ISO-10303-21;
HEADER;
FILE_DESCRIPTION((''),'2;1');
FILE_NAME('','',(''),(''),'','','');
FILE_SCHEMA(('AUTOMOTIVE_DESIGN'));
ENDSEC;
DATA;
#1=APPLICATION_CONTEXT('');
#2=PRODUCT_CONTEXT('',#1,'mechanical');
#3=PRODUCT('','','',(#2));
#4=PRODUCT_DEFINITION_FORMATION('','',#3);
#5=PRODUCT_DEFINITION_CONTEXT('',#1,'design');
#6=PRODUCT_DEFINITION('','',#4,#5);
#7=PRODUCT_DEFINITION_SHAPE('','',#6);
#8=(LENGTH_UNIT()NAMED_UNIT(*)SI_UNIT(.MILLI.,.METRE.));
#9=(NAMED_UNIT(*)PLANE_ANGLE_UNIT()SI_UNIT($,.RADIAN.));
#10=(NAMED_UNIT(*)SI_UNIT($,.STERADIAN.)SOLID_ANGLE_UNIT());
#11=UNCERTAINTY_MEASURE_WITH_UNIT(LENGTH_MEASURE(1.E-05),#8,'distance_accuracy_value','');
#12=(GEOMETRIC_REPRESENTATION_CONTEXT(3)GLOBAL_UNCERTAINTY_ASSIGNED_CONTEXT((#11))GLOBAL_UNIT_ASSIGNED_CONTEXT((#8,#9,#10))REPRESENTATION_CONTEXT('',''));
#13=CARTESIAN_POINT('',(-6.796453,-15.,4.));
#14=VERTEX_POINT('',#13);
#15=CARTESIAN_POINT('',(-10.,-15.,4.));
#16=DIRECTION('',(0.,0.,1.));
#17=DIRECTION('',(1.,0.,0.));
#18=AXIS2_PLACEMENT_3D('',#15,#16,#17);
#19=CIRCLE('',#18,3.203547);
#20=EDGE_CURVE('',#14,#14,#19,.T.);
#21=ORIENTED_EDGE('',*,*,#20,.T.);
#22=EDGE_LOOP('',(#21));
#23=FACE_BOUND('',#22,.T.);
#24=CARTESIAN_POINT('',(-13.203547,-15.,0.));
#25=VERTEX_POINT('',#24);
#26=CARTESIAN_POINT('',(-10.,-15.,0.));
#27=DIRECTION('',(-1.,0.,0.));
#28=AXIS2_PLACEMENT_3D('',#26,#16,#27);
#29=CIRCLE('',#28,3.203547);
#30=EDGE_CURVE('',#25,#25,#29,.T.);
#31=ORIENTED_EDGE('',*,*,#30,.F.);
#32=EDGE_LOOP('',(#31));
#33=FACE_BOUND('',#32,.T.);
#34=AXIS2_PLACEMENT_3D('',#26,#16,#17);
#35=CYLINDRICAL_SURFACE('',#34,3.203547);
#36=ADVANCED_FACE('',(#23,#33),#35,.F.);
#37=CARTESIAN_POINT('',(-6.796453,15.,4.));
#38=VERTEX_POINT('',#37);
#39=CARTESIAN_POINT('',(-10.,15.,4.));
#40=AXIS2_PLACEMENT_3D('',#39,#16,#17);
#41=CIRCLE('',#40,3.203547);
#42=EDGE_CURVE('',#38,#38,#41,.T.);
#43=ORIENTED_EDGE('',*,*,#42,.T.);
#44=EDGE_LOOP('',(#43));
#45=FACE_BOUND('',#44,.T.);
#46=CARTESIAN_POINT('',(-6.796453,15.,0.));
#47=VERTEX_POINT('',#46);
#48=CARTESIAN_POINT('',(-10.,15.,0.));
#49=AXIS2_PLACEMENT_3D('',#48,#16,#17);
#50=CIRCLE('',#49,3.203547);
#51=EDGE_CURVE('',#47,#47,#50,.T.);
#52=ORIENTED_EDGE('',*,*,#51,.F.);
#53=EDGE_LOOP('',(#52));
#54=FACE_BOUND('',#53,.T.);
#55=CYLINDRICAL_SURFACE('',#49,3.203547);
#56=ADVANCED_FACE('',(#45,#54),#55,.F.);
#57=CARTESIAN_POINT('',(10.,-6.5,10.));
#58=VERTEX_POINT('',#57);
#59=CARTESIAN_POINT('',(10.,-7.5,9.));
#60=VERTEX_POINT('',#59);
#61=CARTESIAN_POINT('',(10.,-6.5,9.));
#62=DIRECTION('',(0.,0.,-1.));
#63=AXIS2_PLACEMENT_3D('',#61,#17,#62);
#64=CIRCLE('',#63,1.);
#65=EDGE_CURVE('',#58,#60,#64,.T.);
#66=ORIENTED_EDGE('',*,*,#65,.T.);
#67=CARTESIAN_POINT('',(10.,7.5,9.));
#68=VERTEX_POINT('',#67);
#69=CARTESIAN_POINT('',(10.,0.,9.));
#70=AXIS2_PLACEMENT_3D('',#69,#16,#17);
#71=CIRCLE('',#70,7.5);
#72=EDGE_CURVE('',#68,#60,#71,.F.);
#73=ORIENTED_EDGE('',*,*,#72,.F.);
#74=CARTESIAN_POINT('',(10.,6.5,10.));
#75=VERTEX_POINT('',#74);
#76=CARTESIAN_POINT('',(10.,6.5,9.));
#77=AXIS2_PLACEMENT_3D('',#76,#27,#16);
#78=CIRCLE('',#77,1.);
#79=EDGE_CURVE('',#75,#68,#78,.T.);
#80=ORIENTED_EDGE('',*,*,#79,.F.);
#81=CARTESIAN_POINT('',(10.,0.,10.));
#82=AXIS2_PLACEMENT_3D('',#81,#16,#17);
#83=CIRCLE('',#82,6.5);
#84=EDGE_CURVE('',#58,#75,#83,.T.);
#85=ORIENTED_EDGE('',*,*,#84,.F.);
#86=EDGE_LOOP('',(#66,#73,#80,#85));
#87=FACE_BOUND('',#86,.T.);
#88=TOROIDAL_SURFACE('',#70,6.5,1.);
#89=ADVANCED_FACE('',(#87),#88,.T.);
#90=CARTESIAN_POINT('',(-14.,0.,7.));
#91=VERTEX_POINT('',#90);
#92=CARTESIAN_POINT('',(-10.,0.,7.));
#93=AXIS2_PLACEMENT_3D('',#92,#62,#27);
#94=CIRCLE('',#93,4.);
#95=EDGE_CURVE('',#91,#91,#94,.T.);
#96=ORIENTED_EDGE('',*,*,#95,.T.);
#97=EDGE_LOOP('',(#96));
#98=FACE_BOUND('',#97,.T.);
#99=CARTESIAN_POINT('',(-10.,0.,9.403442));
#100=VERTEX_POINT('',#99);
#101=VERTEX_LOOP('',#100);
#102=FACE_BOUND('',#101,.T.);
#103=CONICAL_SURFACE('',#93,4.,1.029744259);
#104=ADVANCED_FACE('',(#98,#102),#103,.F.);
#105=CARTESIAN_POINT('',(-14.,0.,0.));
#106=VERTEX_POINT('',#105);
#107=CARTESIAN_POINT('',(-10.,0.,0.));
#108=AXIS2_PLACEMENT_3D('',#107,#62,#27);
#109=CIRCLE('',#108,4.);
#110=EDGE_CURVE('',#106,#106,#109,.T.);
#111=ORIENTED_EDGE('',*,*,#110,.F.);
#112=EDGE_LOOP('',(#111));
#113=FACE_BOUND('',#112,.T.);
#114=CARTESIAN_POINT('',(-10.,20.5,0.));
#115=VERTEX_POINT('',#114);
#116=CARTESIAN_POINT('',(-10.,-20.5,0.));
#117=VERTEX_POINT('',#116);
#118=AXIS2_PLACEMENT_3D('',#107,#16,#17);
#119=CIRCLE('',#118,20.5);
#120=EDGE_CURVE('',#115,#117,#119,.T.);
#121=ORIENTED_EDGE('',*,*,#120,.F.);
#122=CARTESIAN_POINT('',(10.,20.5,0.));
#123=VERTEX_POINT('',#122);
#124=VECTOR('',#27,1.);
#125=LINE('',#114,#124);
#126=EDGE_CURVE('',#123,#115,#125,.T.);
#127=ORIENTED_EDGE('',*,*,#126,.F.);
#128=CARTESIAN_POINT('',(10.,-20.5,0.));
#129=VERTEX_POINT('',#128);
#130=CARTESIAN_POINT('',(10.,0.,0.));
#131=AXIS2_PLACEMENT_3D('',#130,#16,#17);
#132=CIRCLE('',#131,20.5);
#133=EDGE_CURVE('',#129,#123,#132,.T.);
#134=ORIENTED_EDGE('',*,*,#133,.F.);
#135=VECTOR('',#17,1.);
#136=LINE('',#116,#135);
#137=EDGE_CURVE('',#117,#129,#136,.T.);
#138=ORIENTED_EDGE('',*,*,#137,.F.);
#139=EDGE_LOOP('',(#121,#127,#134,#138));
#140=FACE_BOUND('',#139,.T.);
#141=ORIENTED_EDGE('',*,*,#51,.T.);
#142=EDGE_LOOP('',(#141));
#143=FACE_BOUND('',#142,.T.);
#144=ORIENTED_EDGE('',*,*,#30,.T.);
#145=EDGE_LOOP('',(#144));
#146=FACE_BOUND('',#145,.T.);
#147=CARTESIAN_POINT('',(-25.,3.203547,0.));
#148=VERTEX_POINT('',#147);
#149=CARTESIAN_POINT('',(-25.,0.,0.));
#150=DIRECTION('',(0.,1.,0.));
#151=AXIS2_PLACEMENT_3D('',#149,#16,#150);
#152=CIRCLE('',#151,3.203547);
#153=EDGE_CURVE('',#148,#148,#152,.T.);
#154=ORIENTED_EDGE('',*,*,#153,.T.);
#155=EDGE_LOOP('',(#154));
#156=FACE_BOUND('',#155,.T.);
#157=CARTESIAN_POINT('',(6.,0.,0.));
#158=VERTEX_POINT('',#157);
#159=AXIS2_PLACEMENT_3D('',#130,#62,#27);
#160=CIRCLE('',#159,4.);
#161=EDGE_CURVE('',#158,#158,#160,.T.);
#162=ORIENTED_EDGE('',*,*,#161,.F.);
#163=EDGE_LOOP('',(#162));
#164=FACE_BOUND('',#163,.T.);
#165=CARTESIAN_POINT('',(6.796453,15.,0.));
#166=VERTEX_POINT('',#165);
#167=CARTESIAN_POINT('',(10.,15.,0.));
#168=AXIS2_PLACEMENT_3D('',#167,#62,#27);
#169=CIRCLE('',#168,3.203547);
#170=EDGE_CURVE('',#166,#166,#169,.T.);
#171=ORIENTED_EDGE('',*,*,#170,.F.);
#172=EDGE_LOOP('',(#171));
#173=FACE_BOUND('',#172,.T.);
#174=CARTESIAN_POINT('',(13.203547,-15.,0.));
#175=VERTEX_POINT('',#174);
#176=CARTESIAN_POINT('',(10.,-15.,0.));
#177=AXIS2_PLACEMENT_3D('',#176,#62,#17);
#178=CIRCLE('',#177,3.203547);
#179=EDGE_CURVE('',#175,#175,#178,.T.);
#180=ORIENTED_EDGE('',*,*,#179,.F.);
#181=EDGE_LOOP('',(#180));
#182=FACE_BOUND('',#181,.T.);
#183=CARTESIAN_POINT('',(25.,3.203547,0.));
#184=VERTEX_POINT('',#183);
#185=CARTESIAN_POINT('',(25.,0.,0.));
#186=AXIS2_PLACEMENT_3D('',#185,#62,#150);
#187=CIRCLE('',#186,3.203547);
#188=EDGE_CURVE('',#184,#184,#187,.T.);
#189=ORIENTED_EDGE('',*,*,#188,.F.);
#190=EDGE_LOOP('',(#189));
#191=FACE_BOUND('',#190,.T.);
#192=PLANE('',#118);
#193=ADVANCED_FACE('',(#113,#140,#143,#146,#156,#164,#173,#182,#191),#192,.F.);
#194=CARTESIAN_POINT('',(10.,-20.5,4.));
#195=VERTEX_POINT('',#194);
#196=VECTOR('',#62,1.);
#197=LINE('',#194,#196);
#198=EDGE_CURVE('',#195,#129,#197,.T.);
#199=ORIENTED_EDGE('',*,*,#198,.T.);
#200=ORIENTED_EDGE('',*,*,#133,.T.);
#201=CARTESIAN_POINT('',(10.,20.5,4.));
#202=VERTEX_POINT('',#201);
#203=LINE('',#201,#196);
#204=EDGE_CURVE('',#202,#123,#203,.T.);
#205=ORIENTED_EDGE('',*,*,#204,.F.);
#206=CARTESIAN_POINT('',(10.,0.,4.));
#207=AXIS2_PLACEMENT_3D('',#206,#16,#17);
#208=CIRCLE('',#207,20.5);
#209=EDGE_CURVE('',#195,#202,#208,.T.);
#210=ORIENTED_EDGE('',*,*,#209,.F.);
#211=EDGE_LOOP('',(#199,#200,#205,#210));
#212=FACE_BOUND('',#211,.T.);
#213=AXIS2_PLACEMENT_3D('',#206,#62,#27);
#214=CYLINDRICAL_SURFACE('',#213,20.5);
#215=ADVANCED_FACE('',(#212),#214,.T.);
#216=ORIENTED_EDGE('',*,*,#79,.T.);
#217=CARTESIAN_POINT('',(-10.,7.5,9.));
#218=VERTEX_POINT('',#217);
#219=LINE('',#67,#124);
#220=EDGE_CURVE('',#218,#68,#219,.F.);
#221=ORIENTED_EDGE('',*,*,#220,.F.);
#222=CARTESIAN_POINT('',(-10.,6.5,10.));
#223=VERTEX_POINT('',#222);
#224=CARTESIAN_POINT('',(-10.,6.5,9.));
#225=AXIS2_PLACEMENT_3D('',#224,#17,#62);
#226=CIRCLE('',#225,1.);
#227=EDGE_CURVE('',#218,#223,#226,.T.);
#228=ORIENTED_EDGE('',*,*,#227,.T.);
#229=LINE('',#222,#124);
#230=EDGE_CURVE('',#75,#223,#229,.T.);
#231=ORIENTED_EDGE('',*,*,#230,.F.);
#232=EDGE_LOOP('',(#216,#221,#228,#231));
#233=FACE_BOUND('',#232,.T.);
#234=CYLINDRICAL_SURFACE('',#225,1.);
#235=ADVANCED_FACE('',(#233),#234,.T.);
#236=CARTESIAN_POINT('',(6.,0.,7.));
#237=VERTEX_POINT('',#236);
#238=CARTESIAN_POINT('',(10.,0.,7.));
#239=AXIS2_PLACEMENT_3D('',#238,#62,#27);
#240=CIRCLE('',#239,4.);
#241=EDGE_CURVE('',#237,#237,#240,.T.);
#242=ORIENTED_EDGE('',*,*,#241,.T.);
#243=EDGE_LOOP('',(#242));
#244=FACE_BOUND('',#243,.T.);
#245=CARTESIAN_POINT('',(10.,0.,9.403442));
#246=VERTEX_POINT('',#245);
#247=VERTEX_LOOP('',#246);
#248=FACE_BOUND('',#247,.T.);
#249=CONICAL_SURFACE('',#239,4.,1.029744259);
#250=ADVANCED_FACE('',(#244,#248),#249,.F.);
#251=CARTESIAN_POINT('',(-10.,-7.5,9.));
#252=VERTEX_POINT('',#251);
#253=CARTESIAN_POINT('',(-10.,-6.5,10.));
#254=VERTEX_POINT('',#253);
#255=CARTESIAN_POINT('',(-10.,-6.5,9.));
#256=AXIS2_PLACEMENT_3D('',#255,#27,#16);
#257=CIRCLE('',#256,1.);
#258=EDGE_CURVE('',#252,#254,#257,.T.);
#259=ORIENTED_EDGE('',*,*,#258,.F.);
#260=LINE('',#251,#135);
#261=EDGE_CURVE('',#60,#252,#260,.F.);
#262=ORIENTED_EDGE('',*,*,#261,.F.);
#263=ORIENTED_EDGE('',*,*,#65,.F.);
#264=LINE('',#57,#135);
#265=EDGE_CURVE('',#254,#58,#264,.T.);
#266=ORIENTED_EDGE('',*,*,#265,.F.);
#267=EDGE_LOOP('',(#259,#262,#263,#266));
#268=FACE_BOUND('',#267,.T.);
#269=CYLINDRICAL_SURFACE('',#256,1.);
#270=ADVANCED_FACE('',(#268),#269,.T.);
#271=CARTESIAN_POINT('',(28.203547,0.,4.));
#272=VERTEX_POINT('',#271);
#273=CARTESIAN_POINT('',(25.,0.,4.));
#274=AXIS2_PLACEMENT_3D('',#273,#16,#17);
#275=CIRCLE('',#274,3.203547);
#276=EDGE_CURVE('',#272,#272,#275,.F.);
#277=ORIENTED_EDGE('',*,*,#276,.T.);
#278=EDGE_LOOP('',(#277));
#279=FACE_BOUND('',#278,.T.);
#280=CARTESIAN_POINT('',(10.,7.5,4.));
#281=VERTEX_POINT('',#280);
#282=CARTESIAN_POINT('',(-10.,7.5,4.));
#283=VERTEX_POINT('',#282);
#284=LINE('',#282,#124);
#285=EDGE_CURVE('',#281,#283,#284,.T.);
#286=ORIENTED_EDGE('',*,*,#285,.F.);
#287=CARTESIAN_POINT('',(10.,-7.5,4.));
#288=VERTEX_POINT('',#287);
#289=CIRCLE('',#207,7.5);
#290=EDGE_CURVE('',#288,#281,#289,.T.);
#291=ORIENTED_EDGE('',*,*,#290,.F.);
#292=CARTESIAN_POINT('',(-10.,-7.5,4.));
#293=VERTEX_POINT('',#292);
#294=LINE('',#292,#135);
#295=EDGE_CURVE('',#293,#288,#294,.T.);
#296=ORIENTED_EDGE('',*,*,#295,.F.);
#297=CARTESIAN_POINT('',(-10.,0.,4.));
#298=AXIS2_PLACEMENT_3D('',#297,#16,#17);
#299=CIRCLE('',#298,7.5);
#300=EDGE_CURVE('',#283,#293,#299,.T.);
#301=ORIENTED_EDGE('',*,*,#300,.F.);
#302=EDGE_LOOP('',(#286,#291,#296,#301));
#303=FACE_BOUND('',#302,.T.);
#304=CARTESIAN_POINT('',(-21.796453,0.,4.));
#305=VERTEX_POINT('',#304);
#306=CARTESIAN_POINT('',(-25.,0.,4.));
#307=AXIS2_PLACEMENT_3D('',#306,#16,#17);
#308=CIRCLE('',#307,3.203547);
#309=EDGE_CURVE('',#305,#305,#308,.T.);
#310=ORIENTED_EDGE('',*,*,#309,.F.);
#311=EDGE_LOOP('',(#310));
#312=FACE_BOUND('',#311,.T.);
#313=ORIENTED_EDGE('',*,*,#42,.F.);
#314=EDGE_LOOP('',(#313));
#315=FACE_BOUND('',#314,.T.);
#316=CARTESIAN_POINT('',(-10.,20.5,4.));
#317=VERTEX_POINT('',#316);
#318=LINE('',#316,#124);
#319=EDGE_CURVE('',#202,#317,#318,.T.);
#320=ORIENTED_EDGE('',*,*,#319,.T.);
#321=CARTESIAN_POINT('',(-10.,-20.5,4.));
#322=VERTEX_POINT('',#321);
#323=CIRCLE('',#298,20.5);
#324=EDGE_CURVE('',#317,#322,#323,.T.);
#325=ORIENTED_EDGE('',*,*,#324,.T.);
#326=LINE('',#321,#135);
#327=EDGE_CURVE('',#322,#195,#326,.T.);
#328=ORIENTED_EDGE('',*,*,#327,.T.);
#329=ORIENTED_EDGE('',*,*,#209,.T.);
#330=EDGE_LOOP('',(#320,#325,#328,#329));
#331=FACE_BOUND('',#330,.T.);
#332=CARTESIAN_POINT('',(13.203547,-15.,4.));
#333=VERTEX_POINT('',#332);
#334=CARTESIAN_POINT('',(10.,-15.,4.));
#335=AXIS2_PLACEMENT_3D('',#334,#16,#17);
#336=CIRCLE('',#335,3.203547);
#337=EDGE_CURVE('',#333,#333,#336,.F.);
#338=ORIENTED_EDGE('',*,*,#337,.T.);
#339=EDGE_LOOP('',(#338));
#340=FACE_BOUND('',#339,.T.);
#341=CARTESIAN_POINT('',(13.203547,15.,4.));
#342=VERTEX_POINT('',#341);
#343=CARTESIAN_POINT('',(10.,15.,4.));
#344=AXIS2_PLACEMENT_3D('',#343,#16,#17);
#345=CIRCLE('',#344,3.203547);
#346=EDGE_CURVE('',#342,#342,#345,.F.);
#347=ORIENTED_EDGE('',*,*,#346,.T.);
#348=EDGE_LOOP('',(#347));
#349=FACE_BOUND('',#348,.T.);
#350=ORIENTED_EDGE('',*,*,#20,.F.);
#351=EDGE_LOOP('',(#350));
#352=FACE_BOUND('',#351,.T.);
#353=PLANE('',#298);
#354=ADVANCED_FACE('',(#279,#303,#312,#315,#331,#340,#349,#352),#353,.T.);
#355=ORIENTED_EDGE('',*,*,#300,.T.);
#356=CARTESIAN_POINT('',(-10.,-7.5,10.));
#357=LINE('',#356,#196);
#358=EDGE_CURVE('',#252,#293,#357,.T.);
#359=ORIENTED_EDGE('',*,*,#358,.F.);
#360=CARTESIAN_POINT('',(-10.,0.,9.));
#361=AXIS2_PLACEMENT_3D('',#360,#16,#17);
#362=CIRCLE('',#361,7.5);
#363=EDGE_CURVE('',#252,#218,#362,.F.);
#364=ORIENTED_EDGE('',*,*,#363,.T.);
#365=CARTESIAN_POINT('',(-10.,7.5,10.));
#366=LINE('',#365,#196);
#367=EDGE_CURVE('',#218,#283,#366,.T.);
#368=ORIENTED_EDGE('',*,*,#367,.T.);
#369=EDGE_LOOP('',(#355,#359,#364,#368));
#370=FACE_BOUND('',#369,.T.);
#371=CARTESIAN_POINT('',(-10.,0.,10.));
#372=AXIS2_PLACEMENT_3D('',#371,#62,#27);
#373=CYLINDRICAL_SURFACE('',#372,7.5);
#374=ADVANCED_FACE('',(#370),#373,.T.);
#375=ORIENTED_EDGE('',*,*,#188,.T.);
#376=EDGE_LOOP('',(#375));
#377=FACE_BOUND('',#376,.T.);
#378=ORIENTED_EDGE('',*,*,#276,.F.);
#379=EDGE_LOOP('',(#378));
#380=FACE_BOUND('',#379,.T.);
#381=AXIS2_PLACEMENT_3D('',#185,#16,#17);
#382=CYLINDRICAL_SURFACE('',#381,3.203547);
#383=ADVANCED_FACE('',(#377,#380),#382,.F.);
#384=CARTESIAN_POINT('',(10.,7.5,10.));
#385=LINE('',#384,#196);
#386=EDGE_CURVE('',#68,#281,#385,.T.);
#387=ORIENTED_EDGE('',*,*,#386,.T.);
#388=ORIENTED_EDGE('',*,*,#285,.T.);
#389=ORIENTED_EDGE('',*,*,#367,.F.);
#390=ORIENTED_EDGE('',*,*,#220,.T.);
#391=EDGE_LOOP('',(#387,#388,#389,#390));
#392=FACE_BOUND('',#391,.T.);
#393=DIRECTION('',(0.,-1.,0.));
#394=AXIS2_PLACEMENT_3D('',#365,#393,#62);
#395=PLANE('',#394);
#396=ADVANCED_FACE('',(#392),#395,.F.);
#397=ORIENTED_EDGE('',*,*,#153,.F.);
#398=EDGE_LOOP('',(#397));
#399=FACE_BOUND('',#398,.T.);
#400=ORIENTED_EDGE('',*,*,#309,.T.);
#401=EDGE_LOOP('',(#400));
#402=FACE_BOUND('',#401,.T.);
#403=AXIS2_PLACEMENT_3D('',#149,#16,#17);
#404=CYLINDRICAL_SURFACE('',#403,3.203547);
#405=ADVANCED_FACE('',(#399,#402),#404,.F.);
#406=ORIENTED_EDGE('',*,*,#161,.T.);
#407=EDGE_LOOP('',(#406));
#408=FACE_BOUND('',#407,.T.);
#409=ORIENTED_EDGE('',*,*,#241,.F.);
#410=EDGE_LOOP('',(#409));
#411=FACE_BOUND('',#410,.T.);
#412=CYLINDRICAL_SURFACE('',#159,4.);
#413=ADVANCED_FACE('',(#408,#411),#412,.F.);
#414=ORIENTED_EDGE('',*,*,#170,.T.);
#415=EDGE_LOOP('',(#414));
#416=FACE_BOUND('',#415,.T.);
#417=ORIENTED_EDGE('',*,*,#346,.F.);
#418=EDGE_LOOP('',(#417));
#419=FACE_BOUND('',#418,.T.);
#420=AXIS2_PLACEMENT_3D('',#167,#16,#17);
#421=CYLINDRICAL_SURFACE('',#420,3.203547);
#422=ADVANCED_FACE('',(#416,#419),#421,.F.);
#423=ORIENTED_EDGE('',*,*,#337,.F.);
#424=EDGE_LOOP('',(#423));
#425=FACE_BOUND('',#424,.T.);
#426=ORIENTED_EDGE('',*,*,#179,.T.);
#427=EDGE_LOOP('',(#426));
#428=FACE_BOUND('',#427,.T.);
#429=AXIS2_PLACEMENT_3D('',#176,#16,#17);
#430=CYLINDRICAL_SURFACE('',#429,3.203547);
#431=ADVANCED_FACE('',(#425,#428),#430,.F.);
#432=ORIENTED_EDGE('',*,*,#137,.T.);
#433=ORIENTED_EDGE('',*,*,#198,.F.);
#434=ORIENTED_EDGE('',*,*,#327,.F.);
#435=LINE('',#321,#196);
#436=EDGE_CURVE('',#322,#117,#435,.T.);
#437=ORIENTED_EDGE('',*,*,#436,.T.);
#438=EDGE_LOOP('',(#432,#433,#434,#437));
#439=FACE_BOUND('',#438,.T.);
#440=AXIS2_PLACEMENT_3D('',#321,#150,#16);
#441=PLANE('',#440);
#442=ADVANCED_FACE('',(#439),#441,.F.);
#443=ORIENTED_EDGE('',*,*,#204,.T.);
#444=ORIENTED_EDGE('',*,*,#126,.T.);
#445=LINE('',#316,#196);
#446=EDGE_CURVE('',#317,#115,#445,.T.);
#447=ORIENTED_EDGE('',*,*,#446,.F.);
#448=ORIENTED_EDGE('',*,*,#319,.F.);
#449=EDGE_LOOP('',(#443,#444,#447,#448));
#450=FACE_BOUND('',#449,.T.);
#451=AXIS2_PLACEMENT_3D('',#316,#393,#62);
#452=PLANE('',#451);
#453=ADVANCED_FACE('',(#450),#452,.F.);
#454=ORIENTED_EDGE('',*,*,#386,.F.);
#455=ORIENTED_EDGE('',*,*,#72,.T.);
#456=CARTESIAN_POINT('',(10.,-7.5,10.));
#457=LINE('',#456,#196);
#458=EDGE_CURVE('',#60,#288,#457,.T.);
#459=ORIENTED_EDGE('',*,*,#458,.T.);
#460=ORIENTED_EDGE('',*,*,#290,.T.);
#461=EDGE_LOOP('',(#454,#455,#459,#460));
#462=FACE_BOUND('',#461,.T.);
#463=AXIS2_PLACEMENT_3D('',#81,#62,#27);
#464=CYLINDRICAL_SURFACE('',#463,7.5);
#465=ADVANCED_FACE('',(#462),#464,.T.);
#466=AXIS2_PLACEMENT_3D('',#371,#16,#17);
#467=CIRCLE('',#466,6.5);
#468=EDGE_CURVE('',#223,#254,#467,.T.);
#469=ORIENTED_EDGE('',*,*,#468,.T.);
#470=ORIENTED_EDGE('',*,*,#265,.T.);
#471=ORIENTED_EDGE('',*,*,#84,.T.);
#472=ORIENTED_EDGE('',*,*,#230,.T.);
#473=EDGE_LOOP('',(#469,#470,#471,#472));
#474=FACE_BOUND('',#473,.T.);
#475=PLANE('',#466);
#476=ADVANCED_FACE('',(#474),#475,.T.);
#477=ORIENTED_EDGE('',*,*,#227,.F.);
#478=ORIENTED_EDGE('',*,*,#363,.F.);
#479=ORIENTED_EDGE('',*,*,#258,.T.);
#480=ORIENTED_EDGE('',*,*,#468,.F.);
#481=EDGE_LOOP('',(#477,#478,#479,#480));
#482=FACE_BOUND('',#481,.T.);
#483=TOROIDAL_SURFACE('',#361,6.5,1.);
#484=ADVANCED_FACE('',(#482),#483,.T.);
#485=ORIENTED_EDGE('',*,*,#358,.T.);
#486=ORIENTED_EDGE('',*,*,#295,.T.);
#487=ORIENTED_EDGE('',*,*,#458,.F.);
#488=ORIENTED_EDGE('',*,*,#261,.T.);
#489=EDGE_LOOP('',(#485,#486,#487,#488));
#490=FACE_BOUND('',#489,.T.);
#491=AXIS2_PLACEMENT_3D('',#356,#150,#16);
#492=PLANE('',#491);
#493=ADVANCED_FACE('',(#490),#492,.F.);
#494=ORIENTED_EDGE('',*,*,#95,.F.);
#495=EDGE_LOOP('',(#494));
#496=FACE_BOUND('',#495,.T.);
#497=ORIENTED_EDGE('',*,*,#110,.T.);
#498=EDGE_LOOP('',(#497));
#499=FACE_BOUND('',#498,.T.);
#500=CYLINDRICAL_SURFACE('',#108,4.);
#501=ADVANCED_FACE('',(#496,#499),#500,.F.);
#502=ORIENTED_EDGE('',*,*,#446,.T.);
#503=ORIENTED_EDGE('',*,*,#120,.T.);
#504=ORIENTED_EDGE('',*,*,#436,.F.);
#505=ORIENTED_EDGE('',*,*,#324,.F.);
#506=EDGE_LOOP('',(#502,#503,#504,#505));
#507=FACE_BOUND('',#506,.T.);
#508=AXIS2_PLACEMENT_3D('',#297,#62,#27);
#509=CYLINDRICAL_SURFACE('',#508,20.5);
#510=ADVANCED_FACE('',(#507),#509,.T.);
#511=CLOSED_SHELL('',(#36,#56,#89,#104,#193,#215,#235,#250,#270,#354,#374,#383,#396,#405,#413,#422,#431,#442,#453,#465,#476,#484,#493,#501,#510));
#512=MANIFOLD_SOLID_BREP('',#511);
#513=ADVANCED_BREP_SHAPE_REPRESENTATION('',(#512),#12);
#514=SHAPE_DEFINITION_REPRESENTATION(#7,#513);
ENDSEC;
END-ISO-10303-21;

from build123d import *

# Parameters (mm, degrees)
EXTRUDE_1_DEPTH           = 4
EXTRUDE_2_DEPTH           = 6
HOLE_WIZARD_8_0_8_1_D     = 8
HOLE_WIZARD_8_0_8_1_DEPTH = 7
HOLE_WIZARD_8_0_8_1_TIP   = 2.403442476
FILLET_2_R                = 1
SKETCH_10_R               = 3.203547284
CUT_EXTRUDE_1_DEPTH       = 38.235735524
PATTERN_CIRCULAR_1_COUNT  = 3
PATTERN_CIRCULAR_1_ANGLE  = 180
MIRROR_1_COPY_1_SKETCH_R  = 3.203547284
MIRROR_1_COPY_1_DEPTH     = 38.235735524
MIRROR_1_COPY_2_SKETCH_R  = 3.203547284
MIRROR_1_COPY_2_DEPTH     = 38.235735524


with BuildPart() as part:
    # 草图1 → 凸台-拉伸1 (new body)
    with BuildSketch(Plane.XY):
        with BuildLine():
            Line((-10, 20.5), (10, 20.5))
            ThreePointArc((10, 20.5), (30.5, 0), (10, -20.5))
            Line((10, -20.5), (-10, -20.5))
            ThreePointArc((-10, -20.5), (-30.5, 0), (-10, 20.5))
        make_face()
    extrude(amount=EXTRUDE_1_DEPTH)

    # 草图2 → 凸台-拉伸2 (add)
    with BuildSketch(Plane.XY.offset(4)):
        with BuildLine():
            Line((-10, 7.5), (10, 7.5))
            ThreePointArc((10, 7.5), (17.5, 0), (10, -7.5))
            Line((10, -7.5), (-10, -7.5))
            ThreePointArc((-10, -7.5), (-17.5, 0), (-10, 7.5))
        make_face()
    extrude(amount=EXTRUDE_2_DEPTH)

    # Ø8.0 (8) 直径孔1
    with Locations(Plane(origin=(0, 0, 0), x_dir=(-1, 0, 0), z_dir=(0, 0, -1))):
        with Locations((-10, 0), (10, 0)):
            Hole(HOLE_WIZARD_8_0_8_1_D / 2, depth=HOLE_WIZARD_8_0_8_1_DEPTH)
            with Locations((0, 0, -(HOLE_WIZARD_8_0_8_1_DEPTH + HOLE_WIZARD_8_0_8_1_TIP / 2))):  # 118° drill point
                Cone(0, HOLE_WIZARD_8_0_8_1_D / 2, HOLE_WIZARD_8_0_8_1_TIP, mode=Mode.SUBTRACT)

    # 圆角2
    fillet_2_edges = [part.edges().sort_by_distance(p)[0] for p in [
        (-17.5, 0, 10),
        (0, -7.5, 10),
        (17.5, 0, 10),
        (0, 7.5, 10),
    ]]
    fillet(fillet_2_edges, radius=FILLET_2_R)

    # 草图10 → 切除-拉伸1 (cut, symmetric)
    with BuildSketch(Plane.XY.offset(4)):
        with Locations((-10, 15)):
            Circle(SKETCH_10_R)
    cut_extrude_1 = extrude(amount=CUT_EXTRUDE_1_DEPTH, both=True, mode=Mode.SUBTRACT)

    # 阵列(圆周)1: 切除-拉伸1 ×3 about axis
    pattern_circular_1_axis = Axis((-10, 0, 0), (0, 0, 1))
    for i in range(1, PATTERN_CIRCULAR_1_COUNT):
        add(cut_extrude_1.rotate(pattern_circular_1_axis, i * PATTERN_CIRCULAR_1_ANGLE / (PATTERN_CIRCULAR_1_COUNT - 1)), mode=Mode.SUBTRACT)

    # 镜向1: 切除-拉伸1 across plane
    add(cut_extrude_1.mirror(Plane(origin=(0, 0, 0), x_dir=(0, 0, 1), z_dir=(1, 0, 0))), mode=Mode.SUBTRACT)

    # 镜向1 copy 1 sketch → 镜向1 copy 1 (cut, symmetric)
    with BuildSketch(Plane(origin=(10, 10, 4), x_dir=(0, 1, 0), z_dir=(0, 0, 1))):
        with Locations((-10, -15)):
            Circle(MIRROR_1_COPY_1_SKETCH_R)
    extrude(amount=MIRROR_1_COPY_1_DEPTH, both=True, mode=Mode.SUBTRACT)

    # 镜向1 copy 2 sketch → 镜向1 copy 2 (cut, symmetric)
    with BuildSketch(Plane(origin=(20, 0, 4), x_dir=(1, 0, 0), z_dir=(0, 0, 1))):
        with Locations((-10, -15)):
            Circle(MIRROR_1_COPY_2_SKETCH_R)
    extrude(amount=MIRROR_1_COPY_2_DEPTH, both=True, mode=Mode.SUBTRACT)


solid = part.part
